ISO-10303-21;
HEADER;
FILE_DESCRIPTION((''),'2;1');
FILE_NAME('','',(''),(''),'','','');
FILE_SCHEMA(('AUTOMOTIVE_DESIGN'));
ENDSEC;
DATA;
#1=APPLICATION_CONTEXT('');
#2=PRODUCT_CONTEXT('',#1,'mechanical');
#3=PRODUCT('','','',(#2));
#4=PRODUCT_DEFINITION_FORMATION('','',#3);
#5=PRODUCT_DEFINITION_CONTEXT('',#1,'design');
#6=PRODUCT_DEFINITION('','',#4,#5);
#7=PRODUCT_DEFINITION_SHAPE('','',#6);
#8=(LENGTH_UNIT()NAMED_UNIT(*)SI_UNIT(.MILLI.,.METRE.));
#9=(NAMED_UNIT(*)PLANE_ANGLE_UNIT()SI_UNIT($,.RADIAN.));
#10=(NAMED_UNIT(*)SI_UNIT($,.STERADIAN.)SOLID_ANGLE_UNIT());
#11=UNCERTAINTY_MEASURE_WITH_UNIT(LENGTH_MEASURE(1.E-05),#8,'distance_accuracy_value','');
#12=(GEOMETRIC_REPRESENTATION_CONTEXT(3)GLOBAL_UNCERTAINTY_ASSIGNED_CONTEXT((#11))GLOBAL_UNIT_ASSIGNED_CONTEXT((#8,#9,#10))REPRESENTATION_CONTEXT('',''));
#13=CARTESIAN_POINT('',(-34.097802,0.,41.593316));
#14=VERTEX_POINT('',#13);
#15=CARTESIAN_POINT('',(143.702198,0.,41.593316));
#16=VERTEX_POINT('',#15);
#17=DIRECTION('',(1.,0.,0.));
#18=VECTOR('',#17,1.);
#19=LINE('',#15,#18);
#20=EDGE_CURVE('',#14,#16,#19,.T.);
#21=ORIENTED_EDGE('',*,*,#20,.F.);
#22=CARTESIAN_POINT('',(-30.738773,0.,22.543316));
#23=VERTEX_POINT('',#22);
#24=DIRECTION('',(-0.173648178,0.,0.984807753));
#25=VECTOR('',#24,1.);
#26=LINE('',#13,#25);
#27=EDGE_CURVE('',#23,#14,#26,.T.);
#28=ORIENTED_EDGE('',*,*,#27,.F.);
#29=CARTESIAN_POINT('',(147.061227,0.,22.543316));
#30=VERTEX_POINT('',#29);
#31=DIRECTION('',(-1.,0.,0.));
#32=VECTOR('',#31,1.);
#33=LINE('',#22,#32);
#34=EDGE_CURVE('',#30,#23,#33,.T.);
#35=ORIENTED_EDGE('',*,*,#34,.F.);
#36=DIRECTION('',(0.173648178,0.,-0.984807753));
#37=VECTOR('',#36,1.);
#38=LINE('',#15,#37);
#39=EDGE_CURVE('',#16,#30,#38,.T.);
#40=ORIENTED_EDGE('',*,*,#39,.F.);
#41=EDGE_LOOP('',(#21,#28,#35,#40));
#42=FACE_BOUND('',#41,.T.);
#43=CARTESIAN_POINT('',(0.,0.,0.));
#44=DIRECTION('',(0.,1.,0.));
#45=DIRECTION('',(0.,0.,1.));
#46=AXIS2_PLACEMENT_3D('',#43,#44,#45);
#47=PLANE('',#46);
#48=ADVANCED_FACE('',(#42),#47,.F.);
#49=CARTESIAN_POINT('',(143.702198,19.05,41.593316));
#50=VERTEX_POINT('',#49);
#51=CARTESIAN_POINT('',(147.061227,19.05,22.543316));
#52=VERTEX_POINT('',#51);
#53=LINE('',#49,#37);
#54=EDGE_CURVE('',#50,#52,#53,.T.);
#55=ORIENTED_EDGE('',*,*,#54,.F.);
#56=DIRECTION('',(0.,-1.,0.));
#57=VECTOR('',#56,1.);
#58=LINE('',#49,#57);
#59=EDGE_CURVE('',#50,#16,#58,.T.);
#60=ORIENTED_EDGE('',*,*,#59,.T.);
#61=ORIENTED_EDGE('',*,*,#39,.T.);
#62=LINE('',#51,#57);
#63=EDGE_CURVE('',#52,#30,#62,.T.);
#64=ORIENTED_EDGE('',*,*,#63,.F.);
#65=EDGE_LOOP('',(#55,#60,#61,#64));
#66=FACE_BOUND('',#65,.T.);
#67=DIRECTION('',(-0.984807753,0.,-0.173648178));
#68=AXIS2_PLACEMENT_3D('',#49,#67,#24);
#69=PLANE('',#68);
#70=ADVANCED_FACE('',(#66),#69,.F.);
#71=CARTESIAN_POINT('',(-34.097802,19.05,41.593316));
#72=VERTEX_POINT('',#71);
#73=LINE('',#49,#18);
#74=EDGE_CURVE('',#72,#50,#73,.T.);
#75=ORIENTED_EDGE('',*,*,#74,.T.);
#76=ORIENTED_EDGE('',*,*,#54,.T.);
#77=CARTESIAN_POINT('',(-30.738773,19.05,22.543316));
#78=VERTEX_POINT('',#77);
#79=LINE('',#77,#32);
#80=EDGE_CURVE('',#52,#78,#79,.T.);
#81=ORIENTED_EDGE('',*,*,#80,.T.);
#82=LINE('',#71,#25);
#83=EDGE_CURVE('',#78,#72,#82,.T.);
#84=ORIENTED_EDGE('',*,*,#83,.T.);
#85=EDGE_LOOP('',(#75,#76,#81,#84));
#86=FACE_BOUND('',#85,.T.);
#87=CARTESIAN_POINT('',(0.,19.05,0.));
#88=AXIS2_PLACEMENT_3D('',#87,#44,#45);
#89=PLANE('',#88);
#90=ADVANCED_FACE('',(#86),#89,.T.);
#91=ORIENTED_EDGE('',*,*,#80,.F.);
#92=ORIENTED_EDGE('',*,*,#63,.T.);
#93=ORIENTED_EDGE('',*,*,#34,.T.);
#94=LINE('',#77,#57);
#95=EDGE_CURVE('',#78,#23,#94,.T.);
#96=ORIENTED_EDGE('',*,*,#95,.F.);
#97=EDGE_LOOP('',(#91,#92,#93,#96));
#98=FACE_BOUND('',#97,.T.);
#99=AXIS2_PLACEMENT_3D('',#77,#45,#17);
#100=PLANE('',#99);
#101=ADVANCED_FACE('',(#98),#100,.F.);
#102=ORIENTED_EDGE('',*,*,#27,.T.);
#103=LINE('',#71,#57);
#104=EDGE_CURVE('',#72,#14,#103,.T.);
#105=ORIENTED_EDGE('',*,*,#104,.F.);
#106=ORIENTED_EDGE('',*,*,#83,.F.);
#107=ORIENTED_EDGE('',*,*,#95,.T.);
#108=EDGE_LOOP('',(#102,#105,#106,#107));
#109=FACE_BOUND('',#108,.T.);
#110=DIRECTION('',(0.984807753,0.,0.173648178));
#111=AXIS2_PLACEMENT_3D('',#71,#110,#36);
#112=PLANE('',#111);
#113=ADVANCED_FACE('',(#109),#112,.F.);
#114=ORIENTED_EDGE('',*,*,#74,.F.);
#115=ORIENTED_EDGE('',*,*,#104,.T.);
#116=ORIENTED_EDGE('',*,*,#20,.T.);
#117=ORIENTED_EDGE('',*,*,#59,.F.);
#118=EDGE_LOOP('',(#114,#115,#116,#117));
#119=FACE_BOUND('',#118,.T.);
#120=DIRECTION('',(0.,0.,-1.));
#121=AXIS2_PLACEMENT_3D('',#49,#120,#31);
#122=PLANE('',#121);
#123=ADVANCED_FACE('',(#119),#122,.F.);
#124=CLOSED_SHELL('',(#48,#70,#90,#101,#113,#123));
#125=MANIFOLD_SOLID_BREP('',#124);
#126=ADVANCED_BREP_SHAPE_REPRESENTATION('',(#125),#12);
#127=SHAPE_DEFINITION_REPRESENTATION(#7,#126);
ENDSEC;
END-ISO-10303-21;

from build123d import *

# Parameters (mm, degrees)
BOSS_EXTRUDE1_DEPTH = 19.05


with BuildPart() as part:
    # Sketch1 → Boss-Extrude1 (new body)
    with BuildSketch(Plane(origin=(0, 0, 0), x_dir=(1, 0, 0), z_dir=(0, 1, 0))):
        Polygon((143.702197952, -41.593316195), (-34.097802048, -41.593316195), (-30.738773066, -22.543316195), (147.061226934, -22.543316195), align=None)
    extrude(amount=BOSS_EXTRUDE1_DEPTH)


solid = part.part
